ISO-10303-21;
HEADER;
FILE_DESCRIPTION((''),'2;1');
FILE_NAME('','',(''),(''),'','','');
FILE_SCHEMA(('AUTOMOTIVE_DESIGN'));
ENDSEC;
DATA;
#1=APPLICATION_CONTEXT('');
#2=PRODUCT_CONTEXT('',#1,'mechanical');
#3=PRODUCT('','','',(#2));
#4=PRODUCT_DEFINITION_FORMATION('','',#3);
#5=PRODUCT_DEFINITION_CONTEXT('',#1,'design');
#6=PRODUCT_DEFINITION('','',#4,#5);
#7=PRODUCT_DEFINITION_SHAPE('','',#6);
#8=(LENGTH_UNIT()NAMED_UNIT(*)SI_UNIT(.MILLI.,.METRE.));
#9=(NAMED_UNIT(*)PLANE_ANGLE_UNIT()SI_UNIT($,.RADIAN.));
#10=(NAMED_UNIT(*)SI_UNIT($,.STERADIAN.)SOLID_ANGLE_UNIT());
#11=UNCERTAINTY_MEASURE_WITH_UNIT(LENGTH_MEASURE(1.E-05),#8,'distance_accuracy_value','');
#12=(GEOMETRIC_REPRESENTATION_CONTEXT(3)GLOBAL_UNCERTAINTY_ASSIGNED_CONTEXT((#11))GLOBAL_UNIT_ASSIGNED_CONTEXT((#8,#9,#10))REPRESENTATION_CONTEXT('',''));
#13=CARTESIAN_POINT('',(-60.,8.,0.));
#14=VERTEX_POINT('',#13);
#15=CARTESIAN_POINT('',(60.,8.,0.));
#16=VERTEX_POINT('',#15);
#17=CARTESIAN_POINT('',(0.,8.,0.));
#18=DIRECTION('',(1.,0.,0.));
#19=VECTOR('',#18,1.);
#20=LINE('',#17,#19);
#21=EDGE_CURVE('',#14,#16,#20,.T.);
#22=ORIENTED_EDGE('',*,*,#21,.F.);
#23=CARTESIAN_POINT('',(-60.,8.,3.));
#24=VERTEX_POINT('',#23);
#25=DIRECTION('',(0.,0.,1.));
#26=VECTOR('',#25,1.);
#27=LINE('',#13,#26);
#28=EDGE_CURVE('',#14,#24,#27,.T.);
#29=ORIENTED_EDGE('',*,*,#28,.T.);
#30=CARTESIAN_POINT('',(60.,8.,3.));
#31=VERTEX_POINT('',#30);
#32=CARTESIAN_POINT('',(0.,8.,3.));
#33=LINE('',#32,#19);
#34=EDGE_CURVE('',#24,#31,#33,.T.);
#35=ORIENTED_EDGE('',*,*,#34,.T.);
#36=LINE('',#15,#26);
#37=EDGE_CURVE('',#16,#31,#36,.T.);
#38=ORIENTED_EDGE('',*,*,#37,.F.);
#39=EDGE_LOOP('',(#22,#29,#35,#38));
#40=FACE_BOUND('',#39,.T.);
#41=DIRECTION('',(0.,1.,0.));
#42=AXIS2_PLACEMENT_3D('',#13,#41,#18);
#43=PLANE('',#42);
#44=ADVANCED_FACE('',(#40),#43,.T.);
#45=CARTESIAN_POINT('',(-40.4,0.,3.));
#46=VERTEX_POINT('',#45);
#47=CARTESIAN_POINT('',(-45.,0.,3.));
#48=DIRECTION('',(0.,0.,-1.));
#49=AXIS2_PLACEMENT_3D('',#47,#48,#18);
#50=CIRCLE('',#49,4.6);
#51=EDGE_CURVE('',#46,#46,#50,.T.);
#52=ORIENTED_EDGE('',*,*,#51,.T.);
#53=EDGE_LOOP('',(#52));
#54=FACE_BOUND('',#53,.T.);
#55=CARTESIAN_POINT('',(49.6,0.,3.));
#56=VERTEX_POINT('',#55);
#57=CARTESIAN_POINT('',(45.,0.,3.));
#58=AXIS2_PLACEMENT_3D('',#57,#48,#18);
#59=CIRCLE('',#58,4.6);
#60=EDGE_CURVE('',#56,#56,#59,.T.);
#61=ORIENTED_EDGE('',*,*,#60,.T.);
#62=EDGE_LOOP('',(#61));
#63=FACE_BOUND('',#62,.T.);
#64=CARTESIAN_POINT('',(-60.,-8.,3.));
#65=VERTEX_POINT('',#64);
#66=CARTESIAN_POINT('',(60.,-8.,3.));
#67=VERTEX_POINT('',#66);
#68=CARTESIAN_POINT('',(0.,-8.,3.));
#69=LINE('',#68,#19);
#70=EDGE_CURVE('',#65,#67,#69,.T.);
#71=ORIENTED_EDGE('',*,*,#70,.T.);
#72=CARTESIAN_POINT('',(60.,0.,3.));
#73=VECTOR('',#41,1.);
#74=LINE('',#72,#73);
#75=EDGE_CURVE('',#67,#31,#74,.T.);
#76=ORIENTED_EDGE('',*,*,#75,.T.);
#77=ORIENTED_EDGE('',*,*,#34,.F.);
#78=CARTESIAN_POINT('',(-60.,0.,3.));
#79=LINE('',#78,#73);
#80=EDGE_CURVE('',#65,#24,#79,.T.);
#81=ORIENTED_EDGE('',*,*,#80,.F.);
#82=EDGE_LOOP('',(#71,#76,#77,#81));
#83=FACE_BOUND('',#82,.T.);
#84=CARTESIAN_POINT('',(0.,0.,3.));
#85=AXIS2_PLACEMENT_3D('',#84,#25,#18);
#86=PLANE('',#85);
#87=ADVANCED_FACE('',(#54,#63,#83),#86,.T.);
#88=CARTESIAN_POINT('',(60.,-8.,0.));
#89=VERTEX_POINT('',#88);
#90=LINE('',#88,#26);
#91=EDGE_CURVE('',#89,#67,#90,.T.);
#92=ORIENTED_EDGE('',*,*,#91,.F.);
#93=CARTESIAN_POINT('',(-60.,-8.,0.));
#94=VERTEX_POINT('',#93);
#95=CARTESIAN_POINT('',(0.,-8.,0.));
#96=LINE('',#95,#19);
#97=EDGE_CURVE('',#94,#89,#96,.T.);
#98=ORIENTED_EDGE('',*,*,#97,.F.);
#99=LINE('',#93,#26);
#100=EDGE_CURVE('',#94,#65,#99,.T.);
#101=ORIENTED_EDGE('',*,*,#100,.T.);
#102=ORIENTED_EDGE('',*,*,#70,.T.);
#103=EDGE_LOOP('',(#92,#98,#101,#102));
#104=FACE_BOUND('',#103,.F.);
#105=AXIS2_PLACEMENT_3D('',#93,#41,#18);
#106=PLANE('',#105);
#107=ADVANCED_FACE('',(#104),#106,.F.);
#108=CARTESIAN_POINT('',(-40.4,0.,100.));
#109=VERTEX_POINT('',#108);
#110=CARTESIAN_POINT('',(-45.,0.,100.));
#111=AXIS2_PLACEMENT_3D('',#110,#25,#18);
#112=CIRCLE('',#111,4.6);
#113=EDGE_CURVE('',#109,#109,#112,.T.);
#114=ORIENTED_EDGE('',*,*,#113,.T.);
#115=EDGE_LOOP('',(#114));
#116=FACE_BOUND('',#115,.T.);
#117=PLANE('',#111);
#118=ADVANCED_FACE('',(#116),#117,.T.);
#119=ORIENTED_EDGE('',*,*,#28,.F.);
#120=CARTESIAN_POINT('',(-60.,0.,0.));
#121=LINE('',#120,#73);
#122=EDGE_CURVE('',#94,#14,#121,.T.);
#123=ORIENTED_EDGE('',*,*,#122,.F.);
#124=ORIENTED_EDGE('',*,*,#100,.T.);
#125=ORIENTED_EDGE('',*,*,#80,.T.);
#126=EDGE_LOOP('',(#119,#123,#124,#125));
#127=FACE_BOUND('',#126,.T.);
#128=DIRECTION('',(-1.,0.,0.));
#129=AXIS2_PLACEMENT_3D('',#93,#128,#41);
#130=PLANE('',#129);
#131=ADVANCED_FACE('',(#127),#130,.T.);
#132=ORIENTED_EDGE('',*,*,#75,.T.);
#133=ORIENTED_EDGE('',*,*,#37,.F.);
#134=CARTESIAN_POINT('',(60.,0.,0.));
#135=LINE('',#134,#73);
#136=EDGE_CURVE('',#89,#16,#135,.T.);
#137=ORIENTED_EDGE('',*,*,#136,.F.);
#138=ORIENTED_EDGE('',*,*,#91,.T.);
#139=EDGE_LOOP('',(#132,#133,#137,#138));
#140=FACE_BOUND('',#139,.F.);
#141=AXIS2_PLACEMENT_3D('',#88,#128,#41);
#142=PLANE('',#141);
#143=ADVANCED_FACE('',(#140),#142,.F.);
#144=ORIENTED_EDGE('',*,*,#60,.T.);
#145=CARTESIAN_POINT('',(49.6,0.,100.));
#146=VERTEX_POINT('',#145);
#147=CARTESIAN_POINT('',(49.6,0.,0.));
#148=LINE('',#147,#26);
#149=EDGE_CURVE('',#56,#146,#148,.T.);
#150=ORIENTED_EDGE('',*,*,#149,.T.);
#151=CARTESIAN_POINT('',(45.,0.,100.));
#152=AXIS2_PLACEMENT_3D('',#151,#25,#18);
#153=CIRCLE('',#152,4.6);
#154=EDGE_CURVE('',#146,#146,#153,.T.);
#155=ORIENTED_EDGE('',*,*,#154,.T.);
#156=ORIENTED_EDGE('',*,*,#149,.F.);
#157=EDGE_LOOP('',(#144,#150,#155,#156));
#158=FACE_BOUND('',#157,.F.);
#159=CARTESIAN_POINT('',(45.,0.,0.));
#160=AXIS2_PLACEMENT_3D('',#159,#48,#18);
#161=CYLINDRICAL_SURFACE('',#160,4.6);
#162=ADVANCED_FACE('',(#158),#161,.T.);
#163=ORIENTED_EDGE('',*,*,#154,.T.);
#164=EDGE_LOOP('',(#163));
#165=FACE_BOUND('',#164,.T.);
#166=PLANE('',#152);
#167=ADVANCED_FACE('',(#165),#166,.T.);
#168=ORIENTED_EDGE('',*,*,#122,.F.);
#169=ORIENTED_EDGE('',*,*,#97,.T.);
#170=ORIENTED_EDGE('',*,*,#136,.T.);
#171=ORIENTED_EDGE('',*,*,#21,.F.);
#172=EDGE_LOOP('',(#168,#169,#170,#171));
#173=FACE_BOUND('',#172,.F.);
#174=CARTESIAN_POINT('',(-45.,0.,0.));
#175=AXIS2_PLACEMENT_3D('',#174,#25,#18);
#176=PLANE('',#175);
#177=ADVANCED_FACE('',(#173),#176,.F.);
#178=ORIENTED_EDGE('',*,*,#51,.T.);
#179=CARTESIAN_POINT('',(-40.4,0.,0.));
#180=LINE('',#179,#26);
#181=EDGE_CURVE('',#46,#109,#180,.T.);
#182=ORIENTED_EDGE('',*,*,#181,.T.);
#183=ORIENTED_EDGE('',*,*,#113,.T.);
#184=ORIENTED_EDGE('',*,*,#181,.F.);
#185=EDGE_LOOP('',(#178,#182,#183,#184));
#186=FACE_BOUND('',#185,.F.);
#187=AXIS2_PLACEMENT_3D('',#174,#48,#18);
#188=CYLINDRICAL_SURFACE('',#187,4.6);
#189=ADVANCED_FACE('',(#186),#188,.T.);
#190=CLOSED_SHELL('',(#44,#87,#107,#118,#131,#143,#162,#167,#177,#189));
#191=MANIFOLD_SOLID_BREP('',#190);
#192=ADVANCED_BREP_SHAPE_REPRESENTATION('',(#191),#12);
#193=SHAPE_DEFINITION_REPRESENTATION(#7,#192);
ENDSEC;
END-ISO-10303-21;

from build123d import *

# Parameters (mm, degrees)
F0_W     = 120
F0_H     = 16
F1_DEPTH = 3
F2_R     = 4.6
F3_DEPTH = 100


with BuildPart() as f1:
    # F0 (on Top) → F1 (new body)
    with BuildSketch(Plane.XY):
        Rectangle(F0_W, F0_H)
    extrude(amount=F1_DEPTH)

    # F2 (on Top) → F3 (join)
    with BuildSketch(Plane.XY):
        with Locations((-45, 0)):
            Circle(F2_R)
        with Locations((45, 0)):
            Circle(F2_R)
    extrude(amount=F3_DEPTH)


solid = f1.part
